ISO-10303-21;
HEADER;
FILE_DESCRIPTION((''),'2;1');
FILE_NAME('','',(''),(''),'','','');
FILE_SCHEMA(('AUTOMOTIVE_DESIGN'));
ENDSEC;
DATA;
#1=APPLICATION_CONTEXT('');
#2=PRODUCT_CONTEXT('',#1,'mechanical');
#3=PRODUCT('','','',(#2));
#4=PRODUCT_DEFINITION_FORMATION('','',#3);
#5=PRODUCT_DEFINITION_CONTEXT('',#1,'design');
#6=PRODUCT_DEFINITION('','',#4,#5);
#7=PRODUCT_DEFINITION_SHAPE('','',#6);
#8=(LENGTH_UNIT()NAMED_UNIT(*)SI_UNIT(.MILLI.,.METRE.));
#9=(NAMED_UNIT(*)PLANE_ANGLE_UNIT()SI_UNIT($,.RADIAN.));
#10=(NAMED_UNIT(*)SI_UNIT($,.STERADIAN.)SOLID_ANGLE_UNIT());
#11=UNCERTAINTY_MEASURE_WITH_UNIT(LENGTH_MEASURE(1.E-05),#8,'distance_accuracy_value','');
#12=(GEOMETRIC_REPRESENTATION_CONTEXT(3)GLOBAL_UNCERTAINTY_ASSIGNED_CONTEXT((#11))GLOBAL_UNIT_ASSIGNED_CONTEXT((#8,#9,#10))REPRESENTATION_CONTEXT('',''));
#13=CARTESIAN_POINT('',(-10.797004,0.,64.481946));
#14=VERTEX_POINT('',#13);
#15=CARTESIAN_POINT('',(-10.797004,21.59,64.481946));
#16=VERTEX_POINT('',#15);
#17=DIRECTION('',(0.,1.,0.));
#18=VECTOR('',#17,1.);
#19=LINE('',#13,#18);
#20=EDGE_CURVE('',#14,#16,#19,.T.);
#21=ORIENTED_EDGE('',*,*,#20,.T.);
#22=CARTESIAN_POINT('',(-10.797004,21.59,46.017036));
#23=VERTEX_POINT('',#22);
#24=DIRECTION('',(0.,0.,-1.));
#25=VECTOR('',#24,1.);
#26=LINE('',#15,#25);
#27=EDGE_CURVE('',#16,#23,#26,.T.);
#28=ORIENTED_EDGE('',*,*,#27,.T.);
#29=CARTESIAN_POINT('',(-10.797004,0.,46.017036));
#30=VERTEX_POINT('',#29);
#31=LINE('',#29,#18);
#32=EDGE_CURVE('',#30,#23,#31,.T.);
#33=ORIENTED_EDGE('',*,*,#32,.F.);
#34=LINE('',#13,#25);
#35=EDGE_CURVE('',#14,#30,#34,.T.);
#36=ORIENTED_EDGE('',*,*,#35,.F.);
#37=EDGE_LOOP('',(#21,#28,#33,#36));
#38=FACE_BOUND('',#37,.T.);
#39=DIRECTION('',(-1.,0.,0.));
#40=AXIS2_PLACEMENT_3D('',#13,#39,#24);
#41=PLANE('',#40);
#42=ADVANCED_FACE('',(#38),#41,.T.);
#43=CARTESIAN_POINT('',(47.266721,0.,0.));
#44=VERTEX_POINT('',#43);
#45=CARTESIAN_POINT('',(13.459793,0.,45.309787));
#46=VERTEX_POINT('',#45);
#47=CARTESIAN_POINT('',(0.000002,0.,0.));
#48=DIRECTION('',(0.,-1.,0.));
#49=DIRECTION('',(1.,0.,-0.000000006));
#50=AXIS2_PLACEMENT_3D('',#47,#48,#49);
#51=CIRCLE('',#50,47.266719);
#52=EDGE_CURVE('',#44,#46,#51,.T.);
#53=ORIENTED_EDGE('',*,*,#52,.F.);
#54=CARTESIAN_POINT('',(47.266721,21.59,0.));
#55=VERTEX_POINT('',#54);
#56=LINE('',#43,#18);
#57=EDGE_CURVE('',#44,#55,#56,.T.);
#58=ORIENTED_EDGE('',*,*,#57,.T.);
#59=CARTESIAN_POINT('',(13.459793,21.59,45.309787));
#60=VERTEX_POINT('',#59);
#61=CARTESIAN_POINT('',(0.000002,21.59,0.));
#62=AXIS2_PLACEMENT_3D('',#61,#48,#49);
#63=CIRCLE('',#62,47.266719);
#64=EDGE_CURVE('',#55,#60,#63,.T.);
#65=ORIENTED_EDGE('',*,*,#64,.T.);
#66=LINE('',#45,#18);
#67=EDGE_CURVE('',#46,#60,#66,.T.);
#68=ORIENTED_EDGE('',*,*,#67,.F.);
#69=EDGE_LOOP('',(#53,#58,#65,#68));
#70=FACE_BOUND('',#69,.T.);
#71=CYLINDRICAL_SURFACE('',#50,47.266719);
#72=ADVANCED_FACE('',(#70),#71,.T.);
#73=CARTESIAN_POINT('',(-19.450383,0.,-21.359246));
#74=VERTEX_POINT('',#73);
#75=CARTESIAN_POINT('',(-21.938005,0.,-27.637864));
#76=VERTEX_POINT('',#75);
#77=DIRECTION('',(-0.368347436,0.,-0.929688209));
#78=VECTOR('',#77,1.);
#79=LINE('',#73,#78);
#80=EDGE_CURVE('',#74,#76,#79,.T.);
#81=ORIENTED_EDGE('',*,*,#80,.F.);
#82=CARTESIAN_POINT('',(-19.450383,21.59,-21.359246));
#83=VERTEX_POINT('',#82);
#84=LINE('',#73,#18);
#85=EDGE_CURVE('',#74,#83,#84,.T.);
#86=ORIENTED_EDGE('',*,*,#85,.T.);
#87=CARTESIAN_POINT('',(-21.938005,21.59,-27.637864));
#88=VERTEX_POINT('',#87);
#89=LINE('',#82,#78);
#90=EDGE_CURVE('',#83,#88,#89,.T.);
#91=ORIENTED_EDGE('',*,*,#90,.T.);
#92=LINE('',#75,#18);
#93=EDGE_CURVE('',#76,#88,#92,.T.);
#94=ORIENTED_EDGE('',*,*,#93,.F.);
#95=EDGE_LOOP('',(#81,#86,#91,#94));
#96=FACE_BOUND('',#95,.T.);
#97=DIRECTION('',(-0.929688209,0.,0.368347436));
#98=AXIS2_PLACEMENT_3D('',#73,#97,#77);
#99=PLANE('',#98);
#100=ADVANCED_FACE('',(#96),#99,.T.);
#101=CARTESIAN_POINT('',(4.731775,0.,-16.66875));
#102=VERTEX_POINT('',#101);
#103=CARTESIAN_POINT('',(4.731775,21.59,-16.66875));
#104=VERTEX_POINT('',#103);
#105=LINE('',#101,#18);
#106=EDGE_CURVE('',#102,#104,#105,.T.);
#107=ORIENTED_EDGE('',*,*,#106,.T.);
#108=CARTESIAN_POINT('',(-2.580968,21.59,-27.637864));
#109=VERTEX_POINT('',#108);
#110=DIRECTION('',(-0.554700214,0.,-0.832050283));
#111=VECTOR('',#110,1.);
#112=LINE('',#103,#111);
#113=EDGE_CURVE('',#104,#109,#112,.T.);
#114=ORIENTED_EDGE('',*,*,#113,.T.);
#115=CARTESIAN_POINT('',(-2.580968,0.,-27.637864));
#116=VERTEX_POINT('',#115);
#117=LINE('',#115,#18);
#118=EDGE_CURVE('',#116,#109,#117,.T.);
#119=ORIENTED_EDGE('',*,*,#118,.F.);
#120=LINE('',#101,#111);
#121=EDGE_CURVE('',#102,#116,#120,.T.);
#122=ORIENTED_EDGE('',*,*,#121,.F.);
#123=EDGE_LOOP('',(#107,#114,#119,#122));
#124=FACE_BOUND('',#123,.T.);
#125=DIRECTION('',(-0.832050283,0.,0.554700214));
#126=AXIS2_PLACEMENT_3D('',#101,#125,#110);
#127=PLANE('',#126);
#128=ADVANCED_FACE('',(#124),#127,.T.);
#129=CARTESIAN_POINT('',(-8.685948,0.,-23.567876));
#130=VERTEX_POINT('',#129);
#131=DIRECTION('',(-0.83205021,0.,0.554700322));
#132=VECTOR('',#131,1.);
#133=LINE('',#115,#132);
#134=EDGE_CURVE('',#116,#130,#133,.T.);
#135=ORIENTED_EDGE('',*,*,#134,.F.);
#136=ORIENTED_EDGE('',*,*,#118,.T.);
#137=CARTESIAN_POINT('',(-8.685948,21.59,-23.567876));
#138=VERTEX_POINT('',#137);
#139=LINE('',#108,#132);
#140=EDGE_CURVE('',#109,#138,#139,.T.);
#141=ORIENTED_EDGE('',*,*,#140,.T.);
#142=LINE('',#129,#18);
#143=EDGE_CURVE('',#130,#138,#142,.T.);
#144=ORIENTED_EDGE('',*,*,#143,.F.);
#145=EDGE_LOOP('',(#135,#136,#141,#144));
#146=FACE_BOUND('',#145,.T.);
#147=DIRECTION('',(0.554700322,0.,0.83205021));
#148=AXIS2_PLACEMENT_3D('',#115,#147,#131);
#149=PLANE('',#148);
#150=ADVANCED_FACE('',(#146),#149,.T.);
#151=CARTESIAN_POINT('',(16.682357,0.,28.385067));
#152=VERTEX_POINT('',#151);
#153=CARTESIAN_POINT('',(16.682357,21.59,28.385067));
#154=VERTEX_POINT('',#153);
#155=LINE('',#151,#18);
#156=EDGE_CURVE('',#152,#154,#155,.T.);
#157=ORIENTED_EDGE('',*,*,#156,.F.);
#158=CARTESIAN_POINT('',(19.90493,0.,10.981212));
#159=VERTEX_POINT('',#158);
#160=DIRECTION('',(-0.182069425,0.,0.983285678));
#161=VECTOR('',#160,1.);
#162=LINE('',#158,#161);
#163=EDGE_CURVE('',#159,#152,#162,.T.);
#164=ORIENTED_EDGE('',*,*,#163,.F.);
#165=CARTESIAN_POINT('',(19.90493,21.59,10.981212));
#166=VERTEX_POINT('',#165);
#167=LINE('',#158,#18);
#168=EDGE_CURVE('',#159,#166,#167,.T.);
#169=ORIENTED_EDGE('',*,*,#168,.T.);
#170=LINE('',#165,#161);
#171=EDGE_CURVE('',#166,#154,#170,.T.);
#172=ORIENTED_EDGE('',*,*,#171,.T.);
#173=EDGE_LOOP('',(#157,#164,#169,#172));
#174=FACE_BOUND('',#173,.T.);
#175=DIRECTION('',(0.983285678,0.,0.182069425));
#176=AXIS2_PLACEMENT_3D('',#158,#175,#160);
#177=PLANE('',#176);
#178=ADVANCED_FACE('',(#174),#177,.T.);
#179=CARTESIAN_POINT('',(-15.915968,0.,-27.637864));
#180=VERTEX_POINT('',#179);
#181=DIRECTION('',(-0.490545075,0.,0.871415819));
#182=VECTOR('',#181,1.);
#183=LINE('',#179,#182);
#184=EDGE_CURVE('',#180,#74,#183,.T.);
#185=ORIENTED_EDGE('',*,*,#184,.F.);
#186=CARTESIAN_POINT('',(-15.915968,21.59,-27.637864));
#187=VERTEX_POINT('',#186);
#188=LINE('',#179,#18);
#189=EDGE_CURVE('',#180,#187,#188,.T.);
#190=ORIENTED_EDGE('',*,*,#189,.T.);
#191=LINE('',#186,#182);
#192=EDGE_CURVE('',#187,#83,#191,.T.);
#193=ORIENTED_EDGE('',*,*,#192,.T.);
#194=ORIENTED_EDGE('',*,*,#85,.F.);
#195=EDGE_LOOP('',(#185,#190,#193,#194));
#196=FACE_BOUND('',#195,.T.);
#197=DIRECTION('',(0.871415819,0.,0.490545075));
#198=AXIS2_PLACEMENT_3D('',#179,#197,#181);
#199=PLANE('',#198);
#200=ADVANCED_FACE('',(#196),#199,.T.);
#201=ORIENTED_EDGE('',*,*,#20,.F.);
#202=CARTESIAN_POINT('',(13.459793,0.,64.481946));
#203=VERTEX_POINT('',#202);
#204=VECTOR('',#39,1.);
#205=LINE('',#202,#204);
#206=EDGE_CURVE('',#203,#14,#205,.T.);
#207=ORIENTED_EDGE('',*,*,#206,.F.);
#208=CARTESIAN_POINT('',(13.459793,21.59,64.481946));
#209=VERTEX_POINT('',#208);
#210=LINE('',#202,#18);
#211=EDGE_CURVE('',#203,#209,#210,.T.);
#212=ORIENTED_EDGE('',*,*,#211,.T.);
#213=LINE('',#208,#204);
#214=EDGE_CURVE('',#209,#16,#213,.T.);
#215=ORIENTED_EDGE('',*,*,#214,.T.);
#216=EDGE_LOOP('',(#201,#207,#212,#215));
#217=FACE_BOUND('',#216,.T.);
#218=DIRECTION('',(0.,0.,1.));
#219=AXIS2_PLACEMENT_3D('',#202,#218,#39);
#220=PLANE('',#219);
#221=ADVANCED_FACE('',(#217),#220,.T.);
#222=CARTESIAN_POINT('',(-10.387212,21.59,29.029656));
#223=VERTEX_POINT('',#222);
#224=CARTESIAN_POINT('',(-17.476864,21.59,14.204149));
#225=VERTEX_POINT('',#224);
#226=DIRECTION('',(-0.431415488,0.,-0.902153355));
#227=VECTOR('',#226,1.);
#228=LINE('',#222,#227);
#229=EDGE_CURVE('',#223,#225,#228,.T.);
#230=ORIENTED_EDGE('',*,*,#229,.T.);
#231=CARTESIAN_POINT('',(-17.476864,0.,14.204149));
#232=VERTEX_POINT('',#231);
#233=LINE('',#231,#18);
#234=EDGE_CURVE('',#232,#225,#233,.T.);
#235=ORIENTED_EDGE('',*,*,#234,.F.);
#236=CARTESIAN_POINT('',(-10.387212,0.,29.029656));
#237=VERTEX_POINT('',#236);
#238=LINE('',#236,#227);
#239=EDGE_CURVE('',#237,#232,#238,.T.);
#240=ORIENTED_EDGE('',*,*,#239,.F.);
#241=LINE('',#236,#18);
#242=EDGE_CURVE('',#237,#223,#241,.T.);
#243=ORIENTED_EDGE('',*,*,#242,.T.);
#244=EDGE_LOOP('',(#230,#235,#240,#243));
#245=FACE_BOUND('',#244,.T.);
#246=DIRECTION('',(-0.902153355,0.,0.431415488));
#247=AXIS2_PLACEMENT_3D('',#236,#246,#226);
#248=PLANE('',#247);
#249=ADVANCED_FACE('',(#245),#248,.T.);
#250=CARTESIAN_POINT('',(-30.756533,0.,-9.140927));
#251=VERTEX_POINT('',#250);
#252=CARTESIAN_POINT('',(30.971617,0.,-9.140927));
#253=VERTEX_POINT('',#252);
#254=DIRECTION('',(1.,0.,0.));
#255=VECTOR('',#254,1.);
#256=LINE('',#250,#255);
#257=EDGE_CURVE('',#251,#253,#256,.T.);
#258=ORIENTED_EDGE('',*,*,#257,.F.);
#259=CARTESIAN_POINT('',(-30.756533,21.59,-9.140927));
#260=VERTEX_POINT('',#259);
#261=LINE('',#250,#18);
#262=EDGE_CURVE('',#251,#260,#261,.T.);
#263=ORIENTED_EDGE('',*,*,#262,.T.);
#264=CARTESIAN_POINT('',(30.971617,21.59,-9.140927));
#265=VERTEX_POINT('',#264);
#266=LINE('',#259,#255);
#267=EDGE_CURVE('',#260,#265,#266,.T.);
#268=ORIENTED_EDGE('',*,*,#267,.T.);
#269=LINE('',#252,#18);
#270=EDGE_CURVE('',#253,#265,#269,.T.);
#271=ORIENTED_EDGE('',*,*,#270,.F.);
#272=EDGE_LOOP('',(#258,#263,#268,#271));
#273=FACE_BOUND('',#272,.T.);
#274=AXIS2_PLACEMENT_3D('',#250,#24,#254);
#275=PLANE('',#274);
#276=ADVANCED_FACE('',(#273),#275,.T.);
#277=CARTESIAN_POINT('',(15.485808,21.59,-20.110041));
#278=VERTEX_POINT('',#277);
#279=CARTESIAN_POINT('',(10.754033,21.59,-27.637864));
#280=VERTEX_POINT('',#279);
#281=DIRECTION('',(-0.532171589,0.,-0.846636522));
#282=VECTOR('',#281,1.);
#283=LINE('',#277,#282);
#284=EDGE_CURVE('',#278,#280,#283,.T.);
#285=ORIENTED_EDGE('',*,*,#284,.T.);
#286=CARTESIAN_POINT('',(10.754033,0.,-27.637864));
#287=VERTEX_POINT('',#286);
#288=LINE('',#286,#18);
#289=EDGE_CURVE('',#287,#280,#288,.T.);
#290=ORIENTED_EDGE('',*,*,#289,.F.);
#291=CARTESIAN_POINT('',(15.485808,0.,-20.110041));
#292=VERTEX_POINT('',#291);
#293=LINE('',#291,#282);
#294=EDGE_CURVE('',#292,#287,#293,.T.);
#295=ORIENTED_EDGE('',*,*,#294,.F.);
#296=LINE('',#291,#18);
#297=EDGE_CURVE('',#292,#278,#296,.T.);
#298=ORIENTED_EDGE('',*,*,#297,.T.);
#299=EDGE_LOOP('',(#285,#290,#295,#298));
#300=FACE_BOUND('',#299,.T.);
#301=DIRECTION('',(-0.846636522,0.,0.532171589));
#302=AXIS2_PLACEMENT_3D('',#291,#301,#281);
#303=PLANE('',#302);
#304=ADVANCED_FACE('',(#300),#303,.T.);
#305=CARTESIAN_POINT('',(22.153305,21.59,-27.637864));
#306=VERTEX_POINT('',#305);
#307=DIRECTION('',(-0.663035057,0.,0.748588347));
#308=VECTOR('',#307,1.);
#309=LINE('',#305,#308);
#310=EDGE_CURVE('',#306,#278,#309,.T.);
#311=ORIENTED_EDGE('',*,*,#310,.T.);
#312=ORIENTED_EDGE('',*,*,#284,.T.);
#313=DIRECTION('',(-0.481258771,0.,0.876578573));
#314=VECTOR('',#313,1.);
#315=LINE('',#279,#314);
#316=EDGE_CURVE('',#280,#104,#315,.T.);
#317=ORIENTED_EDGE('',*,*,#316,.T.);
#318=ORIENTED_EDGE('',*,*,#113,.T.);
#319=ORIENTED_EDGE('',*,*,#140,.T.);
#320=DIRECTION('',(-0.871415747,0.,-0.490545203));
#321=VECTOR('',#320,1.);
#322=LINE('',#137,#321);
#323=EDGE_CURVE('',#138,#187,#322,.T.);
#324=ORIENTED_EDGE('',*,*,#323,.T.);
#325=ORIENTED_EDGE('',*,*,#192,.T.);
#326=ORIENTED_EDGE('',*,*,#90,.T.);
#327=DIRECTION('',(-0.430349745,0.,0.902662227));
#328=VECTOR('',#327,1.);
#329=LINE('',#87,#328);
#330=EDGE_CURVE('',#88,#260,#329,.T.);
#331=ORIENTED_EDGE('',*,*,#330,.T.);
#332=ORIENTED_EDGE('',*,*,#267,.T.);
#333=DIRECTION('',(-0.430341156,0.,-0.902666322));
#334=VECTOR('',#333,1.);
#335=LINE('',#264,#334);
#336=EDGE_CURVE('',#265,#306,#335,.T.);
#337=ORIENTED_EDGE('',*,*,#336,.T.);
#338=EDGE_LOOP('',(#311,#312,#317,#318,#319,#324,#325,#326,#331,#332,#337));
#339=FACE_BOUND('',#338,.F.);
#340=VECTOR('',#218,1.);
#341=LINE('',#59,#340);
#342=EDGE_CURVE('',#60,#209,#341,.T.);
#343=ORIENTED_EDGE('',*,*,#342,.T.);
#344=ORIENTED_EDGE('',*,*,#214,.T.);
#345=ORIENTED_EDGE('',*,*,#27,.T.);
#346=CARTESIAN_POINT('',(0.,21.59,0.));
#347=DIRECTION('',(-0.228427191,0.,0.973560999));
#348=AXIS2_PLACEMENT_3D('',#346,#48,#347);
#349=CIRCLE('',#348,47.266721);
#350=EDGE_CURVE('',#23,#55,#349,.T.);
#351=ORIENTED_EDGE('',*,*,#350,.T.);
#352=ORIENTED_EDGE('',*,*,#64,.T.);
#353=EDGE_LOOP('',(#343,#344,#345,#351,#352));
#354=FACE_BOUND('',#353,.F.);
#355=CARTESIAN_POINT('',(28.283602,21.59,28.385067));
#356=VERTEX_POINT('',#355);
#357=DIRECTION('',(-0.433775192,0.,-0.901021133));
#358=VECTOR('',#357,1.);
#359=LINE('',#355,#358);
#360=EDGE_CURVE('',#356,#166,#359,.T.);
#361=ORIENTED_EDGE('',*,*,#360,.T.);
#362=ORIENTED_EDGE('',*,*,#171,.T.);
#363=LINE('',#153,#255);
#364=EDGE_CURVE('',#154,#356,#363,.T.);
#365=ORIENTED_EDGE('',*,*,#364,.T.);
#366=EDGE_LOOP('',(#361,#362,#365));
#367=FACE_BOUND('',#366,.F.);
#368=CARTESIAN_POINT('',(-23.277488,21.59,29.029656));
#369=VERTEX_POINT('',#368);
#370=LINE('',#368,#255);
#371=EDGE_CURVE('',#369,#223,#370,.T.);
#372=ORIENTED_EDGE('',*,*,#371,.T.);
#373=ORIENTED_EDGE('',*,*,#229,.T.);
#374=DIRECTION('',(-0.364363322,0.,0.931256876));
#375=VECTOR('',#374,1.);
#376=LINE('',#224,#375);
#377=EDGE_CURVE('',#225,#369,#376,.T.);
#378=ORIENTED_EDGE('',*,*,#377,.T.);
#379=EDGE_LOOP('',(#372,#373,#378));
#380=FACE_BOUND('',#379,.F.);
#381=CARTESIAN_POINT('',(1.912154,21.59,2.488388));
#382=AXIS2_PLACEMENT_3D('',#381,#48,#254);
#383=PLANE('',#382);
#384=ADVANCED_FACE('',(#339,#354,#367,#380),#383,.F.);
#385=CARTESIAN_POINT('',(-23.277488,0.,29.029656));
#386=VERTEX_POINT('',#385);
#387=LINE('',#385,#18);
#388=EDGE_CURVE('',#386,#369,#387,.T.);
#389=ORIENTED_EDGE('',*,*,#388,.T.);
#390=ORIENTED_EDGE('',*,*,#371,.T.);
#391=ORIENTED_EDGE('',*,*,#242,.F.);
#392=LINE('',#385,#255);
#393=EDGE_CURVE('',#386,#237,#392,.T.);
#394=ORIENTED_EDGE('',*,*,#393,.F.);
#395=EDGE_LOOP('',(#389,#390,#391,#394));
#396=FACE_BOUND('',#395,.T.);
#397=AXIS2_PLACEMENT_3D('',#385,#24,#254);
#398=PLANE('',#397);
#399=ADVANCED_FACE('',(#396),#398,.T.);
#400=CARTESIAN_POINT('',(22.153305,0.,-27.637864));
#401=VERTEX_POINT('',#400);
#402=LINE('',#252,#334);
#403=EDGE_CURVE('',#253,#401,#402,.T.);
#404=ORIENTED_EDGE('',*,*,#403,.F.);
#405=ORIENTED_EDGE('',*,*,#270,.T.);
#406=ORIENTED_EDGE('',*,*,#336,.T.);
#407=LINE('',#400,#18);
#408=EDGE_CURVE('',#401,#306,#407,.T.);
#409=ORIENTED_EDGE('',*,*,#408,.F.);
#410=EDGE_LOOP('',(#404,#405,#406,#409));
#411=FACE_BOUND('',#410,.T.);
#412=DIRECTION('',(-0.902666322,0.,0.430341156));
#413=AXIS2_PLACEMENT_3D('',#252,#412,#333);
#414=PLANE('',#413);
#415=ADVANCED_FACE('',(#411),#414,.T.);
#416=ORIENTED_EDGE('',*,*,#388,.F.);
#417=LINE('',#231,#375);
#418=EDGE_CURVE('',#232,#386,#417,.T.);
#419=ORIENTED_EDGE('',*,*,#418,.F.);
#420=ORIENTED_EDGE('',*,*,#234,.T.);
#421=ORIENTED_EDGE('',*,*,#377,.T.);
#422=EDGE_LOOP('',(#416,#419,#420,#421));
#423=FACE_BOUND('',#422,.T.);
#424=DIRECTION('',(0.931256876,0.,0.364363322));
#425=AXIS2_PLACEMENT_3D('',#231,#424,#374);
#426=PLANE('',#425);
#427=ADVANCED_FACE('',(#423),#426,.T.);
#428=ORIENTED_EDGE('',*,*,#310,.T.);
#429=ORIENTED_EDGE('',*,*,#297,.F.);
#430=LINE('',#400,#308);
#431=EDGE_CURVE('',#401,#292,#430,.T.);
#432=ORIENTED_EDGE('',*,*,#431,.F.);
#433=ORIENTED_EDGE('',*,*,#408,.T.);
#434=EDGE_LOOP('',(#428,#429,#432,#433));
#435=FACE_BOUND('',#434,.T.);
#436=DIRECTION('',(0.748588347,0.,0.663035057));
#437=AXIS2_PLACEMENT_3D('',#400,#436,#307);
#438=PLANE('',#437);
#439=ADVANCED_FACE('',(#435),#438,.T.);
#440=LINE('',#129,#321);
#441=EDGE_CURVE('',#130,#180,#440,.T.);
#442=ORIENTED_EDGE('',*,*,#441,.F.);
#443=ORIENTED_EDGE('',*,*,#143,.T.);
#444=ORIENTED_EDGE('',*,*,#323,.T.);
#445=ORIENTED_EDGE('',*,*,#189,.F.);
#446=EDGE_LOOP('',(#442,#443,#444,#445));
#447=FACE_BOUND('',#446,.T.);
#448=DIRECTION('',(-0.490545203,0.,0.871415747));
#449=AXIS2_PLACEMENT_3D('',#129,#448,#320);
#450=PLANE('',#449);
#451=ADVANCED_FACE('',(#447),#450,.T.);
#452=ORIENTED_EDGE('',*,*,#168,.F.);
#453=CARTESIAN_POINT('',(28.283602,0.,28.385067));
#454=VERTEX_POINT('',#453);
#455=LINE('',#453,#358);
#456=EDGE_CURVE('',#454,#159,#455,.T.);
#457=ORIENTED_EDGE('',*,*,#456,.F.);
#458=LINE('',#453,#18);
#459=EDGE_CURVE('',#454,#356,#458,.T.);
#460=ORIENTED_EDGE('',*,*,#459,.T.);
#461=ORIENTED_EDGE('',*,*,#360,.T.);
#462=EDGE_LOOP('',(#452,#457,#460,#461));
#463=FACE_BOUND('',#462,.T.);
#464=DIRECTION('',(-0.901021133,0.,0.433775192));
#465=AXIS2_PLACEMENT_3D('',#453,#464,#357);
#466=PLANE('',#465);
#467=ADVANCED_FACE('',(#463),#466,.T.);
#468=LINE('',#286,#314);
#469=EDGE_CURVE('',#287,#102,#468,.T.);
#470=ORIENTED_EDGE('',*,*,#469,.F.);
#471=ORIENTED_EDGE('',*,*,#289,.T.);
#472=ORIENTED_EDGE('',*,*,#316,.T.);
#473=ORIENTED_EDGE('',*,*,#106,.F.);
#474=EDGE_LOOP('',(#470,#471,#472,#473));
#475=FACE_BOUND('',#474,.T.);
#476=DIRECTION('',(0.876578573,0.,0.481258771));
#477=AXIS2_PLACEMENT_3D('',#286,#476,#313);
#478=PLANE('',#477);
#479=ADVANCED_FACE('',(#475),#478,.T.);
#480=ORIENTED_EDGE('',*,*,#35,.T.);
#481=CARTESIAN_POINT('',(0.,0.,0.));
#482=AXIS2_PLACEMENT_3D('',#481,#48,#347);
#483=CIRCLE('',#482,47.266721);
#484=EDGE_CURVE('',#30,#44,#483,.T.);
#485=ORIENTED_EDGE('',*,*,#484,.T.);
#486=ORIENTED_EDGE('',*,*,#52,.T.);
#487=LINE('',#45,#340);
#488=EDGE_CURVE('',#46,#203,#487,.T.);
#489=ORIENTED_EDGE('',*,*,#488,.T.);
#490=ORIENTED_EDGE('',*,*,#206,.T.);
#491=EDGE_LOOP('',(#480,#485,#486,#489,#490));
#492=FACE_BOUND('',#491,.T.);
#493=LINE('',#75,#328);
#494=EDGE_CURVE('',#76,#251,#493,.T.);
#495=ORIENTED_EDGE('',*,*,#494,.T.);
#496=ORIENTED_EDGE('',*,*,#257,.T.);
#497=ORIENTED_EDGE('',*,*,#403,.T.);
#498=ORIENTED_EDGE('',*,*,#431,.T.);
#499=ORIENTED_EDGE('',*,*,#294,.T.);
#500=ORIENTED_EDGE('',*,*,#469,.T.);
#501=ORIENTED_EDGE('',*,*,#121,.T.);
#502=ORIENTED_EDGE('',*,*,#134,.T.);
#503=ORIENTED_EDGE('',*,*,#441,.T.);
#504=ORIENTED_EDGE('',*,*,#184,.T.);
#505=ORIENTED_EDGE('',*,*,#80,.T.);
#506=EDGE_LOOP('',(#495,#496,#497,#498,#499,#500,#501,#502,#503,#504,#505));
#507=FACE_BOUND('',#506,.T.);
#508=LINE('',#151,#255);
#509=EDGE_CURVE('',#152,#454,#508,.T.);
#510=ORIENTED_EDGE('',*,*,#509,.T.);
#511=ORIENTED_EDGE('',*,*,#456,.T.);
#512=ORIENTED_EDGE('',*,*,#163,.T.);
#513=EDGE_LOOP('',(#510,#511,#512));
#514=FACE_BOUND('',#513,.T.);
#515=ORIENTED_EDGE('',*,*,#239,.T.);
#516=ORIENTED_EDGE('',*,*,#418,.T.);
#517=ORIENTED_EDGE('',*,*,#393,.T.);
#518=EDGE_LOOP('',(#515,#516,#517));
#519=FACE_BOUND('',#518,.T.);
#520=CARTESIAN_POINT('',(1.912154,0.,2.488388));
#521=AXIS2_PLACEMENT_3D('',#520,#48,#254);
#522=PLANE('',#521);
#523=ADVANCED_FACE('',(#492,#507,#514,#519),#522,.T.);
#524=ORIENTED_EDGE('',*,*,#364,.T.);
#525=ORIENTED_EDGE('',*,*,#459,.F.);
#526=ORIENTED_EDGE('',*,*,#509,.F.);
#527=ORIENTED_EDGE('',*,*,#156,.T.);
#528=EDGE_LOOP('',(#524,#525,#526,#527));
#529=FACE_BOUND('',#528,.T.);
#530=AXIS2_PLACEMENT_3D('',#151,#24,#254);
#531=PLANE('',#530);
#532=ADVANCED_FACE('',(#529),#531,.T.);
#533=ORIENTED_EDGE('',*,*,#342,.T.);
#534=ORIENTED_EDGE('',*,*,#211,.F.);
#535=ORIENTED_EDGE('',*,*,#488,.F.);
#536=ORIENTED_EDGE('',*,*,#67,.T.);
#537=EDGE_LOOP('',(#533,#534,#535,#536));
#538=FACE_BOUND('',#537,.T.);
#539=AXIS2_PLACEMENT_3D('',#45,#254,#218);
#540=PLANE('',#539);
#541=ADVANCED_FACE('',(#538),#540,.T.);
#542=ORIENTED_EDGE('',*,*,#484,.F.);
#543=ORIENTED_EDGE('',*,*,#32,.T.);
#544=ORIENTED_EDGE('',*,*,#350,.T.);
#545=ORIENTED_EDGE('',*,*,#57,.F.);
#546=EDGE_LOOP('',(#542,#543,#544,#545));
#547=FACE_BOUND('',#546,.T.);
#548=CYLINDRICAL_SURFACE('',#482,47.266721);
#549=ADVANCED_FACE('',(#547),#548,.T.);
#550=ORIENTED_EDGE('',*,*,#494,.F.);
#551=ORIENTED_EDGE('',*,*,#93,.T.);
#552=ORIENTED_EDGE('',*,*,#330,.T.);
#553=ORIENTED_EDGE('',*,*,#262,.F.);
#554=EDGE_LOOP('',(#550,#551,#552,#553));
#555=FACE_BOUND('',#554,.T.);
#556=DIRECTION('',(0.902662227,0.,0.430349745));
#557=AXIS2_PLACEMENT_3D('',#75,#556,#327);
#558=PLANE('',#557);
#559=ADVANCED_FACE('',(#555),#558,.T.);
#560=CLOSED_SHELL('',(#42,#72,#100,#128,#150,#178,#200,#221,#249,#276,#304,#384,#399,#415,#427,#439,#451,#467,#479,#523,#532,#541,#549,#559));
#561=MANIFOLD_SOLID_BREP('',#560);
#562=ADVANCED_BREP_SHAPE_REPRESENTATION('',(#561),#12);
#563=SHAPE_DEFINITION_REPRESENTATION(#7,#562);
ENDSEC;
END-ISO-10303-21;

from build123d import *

# Parameters (mm, degrees)
F1_DEPTH = 21.59


with BuildPart() as f1:
    # F0 (on Front) → F1 (new body)
    with BuildSketch(Plane.XZ):
        with BuildLine():
            ThreePointArc((-10.797004, 46.017036), (-29.358167, -37.04377), (47.266721, 0))
            ThreePointArc((47.266721, 0), (37.883659, 28.26608), (13.459793, 45.309787))
            ThreePointArc((13.459793, 45.309787), (1.377556, 47.246642), (-10.797004, 46.017036))
        make_face()
        Polygon((-21.938005, -27.637864), (-30.756533, -9.140927), (30.971617, -9.140927), (22.153305, -27.637864), (15.485808, -20.110041), (10.754033, -27.637864), (4.731775, -16.66875), (-2.580968, -27.637864), (-8.685948, -23.567876), (-15.915968, -27.637864), (-19.450383, -21.359246), align=None, mode=Mode.SUBTRACT)
        Polygon((-17.476864, 14.204149), (-23.277488, 29.029656), (-10.387212, 29.029656), align=None, mode=Mode.SUBTRACT)
        Polygon((19.90493, 10.981212), (16.682357, 28.385067), (28.283602, 28.385067), align=None, mode=Mode.SUBTRACT)
        with BuildLine():
            ThreePointArc((-10.797004, 46.017036), (1.377556, 47.246642), (13.459793, 45.309787))
            Line((13.459793, 45.309787), (13.459793, 64.481946))
            Line((13.459793, 64.481946), (-10.797004, 64.481946))
            Line((-10.797004, 64.481946), (-10.797004, 46.017036))
        make_face()
    extrude(amount=-F1_DEPTH)


solid = f1.part
